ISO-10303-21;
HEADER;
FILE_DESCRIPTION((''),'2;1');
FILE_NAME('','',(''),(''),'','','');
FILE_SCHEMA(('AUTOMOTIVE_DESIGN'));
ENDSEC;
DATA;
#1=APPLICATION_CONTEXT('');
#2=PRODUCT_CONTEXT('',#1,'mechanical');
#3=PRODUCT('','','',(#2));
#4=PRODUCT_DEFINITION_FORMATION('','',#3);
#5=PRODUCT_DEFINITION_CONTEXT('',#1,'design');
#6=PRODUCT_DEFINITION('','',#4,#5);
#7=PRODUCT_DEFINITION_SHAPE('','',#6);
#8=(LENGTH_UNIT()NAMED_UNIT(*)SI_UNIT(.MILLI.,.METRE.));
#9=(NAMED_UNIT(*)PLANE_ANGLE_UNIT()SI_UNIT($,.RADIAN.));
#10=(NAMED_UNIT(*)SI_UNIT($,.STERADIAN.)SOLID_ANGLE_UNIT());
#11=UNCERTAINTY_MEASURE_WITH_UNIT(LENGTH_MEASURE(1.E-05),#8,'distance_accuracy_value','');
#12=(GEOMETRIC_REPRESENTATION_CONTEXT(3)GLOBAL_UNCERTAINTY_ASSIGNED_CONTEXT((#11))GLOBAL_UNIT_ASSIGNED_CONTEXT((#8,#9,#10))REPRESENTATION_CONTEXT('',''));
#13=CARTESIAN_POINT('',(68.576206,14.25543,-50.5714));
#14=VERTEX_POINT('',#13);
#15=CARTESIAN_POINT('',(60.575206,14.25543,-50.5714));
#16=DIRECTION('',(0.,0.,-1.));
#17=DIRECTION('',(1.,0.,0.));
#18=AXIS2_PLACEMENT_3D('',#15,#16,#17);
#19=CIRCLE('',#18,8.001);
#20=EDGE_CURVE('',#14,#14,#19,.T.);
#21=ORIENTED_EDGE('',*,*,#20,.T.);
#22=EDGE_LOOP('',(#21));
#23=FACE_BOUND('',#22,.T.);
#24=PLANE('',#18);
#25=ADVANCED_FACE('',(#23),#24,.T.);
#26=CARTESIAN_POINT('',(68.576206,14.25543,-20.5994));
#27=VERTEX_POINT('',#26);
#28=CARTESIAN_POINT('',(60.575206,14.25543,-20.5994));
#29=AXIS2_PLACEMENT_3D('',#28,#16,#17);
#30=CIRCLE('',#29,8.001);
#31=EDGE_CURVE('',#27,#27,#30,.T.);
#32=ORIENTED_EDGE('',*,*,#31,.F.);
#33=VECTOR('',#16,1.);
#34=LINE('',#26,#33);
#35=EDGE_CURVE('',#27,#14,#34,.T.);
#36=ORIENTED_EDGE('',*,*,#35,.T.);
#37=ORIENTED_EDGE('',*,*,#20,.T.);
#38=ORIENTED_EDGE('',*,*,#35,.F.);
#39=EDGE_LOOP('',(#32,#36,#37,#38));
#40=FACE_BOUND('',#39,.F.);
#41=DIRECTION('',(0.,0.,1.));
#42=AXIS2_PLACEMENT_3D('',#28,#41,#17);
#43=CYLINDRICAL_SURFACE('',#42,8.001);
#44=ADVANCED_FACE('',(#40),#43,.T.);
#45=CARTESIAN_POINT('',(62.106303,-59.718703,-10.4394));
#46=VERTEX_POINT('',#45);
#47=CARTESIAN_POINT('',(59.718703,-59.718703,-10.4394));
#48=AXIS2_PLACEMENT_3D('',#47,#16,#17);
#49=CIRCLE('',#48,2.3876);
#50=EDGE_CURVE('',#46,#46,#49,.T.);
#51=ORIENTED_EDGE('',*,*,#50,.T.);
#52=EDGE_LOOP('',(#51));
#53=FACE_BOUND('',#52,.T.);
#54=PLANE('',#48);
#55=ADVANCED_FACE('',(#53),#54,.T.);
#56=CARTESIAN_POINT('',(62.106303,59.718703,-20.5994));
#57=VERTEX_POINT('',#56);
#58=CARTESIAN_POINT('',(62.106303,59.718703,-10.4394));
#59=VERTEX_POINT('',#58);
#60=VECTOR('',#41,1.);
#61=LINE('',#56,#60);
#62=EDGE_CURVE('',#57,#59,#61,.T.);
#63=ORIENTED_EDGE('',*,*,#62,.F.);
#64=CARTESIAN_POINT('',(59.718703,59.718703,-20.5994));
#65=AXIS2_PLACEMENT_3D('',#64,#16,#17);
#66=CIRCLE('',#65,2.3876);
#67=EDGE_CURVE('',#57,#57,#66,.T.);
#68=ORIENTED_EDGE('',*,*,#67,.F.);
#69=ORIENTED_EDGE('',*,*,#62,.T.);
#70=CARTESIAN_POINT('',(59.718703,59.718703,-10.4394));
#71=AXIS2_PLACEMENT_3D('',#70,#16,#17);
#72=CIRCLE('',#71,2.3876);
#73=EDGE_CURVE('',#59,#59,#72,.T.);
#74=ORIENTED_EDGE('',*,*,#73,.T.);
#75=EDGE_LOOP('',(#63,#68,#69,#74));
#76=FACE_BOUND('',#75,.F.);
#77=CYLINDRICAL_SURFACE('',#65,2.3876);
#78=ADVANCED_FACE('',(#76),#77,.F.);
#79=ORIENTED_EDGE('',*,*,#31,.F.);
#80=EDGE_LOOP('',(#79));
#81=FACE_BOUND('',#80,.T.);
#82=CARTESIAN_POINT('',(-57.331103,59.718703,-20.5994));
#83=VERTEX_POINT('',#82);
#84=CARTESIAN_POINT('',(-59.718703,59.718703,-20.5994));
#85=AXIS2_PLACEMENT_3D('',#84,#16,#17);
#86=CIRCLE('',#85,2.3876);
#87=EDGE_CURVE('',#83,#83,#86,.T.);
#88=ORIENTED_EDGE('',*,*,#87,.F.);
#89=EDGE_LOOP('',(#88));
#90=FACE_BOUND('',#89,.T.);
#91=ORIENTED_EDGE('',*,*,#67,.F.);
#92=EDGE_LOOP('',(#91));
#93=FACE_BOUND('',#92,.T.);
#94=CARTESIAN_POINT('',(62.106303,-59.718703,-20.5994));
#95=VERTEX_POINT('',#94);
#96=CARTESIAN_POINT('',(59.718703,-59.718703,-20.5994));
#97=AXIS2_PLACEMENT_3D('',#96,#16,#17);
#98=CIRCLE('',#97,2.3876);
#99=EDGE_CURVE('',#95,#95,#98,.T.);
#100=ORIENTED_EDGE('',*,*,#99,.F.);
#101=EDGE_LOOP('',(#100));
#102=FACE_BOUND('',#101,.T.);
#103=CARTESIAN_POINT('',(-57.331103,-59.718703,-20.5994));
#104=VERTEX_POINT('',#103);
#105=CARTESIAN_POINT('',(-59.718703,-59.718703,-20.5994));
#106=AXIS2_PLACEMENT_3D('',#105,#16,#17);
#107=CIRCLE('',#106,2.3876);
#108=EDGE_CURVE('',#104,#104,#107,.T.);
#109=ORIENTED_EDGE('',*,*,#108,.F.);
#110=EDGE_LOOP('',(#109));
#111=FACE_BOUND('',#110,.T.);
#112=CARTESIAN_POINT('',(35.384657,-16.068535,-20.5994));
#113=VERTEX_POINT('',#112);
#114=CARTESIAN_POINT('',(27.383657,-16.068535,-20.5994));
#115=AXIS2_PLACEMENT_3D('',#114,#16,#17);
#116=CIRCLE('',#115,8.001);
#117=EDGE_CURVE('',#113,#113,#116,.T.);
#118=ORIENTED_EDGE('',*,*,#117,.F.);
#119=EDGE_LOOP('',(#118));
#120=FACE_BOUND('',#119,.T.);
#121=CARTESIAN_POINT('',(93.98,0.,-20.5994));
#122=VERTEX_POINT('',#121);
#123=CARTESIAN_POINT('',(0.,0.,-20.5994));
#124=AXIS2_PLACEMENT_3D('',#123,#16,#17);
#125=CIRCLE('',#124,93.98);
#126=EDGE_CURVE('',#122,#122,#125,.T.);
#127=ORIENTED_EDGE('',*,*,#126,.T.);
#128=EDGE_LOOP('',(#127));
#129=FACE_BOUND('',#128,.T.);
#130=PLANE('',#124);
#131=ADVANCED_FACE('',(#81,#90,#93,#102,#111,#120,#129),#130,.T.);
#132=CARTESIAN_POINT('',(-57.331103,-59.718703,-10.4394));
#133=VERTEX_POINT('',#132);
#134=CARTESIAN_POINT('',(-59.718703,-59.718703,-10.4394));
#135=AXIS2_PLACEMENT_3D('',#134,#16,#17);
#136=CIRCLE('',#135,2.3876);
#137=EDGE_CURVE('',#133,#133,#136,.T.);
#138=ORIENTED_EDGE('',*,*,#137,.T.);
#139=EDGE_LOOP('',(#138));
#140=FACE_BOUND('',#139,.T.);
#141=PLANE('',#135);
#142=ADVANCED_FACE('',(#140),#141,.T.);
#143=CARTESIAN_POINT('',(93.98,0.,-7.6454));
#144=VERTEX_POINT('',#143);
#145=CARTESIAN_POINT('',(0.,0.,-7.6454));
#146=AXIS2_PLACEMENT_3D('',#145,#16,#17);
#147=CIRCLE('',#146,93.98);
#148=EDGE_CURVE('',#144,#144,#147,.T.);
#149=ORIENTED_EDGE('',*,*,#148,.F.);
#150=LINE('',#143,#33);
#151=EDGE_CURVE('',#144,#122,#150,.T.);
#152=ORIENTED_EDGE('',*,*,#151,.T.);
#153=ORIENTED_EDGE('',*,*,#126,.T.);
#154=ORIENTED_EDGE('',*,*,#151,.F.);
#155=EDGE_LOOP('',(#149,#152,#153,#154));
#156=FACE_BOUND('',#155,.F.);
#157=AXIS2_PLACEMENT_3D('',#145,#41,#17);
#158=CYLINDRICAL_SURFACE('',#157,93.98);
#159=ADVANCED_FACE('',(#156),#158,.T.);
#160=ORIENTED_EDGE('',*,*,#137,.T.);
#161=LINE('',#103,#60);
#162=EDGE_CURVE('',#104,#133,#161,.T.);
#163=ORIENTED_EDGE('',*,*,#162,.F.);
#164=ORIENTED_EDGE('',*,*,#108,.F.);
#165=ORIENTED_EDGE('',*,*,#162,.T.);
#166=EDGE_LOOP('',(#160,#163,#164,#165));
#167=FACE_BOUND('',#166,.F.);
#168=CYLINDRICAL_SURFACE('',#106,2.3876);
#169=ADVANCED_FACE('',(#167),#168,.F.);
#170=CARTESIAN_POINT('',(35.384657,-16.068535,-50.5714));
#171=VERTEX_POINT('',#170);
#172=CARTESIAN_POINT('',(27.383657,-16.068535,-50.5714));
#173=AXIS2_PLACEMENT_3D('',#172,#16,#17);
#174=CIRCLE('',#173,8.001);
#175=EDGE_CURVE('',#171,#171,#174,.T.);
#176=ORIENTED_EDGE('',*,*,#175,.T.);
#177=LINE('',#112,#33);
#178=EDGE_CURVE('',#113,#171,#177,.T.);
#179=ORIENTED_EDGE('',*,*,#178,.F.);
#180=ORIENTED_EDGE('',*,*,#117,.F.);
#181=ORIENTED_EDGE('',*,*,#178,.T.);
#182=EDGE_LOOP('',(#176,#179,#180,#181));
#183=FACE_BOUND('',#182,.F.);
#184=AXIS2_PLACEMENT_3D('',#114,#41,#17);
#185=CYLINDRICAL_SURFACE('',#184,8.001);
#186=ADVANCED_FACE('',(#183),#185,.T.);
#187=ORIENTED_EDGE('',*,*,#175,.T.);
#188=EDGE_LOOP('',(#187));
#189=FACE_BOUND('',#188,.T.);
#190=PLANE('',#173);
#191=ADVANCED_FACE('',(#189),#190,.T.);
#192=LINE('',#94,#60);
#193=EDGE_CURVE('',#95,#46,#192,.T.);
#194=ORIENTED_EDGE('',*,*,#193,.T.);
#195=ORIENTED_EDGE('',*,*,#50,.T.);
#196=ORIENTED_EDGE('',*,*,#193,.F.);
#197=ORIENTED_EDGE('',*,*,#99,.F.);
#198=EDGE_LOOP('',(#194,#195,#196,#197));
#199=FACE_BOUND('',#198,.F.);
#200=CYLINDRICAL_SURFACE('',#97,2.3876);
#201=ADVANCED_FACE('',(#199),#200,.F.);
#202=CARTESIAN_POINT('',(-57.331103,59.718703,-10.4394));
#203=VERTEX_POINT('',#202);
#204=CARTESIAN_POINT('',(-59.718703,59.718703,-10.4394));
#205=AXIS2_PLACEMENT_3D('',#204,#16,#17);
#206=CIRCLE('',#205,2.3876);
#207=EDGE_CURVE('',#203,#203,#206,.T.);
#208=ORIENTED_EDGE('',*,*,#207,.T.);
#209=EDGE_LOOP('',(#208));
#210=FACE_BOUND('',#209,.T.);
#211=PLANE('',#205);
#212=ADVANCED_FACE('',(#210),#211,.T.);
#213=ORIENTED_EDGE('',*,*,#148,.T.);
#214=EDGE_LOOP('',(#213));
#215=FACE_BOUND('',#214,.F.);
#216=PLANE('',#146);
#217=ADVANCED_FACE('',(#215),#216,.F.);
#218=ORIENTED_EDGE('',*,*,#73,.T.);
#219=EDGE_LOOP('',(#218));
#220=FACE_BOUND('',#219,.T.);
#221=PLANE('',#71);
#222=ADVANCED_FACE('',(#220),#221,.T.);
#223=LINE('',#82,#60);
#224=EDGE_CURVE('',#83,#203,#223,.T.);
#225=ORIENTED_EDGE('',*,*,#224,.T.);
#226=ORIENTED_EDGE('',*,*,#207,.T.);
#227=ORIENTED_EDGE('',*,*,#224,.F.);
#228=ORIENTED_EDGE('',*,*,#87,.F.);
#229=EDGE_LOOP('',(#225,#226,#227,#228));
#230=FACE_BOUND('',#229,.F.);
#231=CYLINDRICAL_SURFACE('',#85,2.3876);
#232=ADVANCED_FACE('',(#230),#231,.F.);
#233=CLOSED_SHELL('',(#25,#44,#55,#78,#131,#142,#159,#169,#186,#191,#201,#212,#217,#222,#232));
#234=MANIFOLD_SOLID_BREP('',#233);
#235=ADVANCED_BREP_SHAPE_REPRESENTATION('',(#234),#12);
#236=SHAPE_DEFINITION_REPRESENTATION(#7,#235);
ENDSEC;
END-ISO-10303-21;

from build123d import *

# Parameters (mm, degrees)
CYLINDER_R      = 93.98
CYLINDER_DEPTH  = 12.954
SKETCH014_R     = 2.3876
POCKET006_DEPTH = 10.16
SKETCH015_R     = 8.001
PAD006_DEPTH    = 29.972


with BuildPart() as part:
    # Cylinder → Cylinder (new body)
    with BuildSketch(Plane(origin=(0, 0, -7.6454), x_dir=(1, 0, 0), z_dir=(0, 0, -1))):
        Circle(CYLINDER_R)
    extrude(amount=CYLINDER_DEPTH)

    # Sketch014 → Pocket006 (cut)
    with BuildSketch(Plane(origin=(0, 0, -20.5994), x_dir=(1, 0, 0), z_dir=(0, 0, -1))):
        with Locations((-59.718703, 59.718703)):
            Circle(SKETCH014_R)
        with Locations((59.718703, -59.718703)):
            Circle(SKETCH014_R)
        with Locations((59.718703, 59.718703)):
            Circle(SKETCH014_R)
        with Locations((-59.718703, -59.718703)):
            Circle(SKETCH014_R)
    extrude(amount=-POCKET006_DEPTH, mode=Mode.SUBTRACT)

    # Sketch015 → Pad006 (new body)
    with BuildSketch(Plane(origin=(0, 0, -20.5994), x_dir=(1, 0, 0), z_dir=(0, 0, -1))):
        with Locations((27.383657, 16.068535)):
            Circle(SKETCH015_R)
        with Locations((60.575206, -14.25543)):
            Circle(SKETCH015_R)
    extrude(amount=PAD006_DEPTH)


solid = part.part
